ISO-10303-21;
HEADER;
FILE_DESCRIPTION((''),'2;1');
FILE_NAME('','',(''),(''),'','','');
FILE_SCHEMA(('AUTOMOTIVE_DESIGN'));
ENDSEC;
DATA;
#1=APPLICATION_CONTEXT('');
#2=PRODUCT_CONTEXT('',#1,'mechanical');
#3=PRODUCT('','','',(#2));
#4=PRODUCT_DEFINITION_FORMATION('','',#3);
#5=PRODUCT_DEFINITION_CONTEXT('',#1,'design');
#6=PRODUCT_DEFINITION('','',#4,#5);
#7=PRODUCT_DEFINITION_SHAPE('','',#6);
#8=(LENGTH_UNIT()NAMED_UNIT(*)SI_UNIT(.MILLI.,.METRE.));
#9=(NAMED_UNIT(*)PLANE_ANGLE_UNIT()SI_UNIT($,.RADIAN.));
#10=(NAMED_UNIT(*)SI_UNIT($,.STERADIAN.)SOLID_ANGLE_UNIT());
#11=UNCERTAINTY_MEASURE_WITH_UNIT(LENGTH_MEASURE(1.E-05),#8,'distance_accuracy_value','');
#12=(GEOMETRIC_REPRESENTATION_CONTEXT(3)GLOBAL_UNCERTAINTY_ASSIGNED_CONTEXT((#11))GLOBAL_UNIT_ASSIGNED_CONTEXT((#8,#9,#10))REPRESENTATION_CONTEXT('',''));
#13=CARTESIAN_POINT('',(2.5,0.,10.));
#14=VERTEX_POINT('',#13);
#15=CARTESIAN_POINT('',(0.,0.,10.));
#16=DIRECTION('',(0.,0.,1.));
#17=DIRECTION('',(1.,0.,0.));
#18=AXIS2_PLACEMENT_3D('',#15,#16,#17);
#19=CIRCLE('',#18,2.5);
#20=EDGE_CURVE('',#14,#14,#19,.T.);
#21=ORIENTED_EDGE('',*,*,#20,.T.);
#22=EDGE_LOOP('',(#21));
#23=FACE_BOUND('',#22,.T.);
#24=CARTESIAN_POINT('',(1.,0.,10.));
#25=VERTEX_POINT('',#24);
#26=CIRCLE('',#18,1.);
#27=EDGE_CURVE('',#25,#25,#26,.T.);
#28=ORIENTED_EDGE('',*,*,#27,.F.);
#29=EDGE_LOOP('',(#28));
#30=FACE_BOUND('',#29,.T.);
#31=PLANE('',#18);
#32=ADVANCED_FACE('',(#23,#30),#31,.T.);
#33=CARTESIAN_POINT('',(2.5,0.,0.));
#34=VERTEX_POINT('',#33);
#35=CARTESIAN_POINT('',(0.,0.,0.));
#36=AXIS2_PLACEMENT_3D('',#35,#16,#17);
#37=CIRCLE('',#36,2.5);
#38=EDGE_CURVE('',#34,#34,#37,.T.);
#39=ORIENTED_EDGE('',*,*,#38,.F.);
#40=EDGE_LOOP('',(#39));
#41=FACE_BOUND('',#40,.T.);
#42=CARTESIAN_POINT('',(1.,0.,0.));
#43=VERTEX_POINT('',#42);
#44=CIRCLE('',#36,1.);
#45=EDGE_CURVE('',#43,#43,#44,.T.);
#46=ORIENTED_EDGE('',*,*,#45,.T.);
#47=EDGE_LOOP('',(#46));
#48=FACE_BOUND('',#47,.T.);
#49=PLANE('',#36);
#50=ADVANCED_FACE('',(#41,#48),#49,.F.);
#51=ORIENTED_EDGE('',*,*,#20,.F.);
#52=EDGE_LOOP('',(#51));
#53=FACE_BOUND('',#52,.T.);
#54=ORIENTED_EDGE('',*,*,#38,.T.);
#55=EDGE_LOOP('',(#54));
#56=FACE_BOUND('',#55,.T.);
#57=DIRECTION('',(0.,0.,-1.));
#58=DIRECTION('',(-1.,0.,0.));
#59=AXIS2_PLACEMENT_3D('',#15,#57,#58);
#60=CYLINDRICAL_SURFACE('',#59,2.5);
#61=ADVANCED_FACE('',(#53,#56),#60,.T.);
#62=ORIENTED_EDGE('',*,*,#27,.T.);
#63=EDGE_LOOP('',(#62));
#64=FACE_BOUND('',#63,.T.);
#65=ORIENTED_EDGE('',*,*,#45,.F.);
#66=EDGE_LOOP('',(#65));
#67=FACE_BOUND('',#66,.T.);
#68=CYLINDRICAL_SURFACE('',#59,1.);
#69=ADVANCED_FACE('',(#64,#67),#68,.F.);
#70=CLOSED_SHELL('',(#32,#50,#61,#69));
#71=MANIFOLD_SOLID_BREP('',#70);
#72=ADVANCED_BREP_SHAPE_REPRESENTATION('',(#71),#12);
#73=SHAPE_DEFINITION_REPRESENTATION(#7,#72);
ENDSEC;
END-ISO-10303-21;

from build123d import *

# Parameters (mm, degrees)
BASE_SKETCH_R          = 2.5
BASE_SKETCH_R_2        = 1
EXTRUDE_PIN_BODY_DEPTH = 10


with BuildPart() as part:
    # Base Sketch → Extrude Pin Body (new body)
    with BuildSketch(Plane.XY):
        Circle(BASE_SKETCH_R)
        Circle(BASE_SKETCH_R_2, mode=Mode.SUBTRACT)
    extrude(amount=EXTRUDE_PIN_BODY_DEPTH)


solid = part.part
